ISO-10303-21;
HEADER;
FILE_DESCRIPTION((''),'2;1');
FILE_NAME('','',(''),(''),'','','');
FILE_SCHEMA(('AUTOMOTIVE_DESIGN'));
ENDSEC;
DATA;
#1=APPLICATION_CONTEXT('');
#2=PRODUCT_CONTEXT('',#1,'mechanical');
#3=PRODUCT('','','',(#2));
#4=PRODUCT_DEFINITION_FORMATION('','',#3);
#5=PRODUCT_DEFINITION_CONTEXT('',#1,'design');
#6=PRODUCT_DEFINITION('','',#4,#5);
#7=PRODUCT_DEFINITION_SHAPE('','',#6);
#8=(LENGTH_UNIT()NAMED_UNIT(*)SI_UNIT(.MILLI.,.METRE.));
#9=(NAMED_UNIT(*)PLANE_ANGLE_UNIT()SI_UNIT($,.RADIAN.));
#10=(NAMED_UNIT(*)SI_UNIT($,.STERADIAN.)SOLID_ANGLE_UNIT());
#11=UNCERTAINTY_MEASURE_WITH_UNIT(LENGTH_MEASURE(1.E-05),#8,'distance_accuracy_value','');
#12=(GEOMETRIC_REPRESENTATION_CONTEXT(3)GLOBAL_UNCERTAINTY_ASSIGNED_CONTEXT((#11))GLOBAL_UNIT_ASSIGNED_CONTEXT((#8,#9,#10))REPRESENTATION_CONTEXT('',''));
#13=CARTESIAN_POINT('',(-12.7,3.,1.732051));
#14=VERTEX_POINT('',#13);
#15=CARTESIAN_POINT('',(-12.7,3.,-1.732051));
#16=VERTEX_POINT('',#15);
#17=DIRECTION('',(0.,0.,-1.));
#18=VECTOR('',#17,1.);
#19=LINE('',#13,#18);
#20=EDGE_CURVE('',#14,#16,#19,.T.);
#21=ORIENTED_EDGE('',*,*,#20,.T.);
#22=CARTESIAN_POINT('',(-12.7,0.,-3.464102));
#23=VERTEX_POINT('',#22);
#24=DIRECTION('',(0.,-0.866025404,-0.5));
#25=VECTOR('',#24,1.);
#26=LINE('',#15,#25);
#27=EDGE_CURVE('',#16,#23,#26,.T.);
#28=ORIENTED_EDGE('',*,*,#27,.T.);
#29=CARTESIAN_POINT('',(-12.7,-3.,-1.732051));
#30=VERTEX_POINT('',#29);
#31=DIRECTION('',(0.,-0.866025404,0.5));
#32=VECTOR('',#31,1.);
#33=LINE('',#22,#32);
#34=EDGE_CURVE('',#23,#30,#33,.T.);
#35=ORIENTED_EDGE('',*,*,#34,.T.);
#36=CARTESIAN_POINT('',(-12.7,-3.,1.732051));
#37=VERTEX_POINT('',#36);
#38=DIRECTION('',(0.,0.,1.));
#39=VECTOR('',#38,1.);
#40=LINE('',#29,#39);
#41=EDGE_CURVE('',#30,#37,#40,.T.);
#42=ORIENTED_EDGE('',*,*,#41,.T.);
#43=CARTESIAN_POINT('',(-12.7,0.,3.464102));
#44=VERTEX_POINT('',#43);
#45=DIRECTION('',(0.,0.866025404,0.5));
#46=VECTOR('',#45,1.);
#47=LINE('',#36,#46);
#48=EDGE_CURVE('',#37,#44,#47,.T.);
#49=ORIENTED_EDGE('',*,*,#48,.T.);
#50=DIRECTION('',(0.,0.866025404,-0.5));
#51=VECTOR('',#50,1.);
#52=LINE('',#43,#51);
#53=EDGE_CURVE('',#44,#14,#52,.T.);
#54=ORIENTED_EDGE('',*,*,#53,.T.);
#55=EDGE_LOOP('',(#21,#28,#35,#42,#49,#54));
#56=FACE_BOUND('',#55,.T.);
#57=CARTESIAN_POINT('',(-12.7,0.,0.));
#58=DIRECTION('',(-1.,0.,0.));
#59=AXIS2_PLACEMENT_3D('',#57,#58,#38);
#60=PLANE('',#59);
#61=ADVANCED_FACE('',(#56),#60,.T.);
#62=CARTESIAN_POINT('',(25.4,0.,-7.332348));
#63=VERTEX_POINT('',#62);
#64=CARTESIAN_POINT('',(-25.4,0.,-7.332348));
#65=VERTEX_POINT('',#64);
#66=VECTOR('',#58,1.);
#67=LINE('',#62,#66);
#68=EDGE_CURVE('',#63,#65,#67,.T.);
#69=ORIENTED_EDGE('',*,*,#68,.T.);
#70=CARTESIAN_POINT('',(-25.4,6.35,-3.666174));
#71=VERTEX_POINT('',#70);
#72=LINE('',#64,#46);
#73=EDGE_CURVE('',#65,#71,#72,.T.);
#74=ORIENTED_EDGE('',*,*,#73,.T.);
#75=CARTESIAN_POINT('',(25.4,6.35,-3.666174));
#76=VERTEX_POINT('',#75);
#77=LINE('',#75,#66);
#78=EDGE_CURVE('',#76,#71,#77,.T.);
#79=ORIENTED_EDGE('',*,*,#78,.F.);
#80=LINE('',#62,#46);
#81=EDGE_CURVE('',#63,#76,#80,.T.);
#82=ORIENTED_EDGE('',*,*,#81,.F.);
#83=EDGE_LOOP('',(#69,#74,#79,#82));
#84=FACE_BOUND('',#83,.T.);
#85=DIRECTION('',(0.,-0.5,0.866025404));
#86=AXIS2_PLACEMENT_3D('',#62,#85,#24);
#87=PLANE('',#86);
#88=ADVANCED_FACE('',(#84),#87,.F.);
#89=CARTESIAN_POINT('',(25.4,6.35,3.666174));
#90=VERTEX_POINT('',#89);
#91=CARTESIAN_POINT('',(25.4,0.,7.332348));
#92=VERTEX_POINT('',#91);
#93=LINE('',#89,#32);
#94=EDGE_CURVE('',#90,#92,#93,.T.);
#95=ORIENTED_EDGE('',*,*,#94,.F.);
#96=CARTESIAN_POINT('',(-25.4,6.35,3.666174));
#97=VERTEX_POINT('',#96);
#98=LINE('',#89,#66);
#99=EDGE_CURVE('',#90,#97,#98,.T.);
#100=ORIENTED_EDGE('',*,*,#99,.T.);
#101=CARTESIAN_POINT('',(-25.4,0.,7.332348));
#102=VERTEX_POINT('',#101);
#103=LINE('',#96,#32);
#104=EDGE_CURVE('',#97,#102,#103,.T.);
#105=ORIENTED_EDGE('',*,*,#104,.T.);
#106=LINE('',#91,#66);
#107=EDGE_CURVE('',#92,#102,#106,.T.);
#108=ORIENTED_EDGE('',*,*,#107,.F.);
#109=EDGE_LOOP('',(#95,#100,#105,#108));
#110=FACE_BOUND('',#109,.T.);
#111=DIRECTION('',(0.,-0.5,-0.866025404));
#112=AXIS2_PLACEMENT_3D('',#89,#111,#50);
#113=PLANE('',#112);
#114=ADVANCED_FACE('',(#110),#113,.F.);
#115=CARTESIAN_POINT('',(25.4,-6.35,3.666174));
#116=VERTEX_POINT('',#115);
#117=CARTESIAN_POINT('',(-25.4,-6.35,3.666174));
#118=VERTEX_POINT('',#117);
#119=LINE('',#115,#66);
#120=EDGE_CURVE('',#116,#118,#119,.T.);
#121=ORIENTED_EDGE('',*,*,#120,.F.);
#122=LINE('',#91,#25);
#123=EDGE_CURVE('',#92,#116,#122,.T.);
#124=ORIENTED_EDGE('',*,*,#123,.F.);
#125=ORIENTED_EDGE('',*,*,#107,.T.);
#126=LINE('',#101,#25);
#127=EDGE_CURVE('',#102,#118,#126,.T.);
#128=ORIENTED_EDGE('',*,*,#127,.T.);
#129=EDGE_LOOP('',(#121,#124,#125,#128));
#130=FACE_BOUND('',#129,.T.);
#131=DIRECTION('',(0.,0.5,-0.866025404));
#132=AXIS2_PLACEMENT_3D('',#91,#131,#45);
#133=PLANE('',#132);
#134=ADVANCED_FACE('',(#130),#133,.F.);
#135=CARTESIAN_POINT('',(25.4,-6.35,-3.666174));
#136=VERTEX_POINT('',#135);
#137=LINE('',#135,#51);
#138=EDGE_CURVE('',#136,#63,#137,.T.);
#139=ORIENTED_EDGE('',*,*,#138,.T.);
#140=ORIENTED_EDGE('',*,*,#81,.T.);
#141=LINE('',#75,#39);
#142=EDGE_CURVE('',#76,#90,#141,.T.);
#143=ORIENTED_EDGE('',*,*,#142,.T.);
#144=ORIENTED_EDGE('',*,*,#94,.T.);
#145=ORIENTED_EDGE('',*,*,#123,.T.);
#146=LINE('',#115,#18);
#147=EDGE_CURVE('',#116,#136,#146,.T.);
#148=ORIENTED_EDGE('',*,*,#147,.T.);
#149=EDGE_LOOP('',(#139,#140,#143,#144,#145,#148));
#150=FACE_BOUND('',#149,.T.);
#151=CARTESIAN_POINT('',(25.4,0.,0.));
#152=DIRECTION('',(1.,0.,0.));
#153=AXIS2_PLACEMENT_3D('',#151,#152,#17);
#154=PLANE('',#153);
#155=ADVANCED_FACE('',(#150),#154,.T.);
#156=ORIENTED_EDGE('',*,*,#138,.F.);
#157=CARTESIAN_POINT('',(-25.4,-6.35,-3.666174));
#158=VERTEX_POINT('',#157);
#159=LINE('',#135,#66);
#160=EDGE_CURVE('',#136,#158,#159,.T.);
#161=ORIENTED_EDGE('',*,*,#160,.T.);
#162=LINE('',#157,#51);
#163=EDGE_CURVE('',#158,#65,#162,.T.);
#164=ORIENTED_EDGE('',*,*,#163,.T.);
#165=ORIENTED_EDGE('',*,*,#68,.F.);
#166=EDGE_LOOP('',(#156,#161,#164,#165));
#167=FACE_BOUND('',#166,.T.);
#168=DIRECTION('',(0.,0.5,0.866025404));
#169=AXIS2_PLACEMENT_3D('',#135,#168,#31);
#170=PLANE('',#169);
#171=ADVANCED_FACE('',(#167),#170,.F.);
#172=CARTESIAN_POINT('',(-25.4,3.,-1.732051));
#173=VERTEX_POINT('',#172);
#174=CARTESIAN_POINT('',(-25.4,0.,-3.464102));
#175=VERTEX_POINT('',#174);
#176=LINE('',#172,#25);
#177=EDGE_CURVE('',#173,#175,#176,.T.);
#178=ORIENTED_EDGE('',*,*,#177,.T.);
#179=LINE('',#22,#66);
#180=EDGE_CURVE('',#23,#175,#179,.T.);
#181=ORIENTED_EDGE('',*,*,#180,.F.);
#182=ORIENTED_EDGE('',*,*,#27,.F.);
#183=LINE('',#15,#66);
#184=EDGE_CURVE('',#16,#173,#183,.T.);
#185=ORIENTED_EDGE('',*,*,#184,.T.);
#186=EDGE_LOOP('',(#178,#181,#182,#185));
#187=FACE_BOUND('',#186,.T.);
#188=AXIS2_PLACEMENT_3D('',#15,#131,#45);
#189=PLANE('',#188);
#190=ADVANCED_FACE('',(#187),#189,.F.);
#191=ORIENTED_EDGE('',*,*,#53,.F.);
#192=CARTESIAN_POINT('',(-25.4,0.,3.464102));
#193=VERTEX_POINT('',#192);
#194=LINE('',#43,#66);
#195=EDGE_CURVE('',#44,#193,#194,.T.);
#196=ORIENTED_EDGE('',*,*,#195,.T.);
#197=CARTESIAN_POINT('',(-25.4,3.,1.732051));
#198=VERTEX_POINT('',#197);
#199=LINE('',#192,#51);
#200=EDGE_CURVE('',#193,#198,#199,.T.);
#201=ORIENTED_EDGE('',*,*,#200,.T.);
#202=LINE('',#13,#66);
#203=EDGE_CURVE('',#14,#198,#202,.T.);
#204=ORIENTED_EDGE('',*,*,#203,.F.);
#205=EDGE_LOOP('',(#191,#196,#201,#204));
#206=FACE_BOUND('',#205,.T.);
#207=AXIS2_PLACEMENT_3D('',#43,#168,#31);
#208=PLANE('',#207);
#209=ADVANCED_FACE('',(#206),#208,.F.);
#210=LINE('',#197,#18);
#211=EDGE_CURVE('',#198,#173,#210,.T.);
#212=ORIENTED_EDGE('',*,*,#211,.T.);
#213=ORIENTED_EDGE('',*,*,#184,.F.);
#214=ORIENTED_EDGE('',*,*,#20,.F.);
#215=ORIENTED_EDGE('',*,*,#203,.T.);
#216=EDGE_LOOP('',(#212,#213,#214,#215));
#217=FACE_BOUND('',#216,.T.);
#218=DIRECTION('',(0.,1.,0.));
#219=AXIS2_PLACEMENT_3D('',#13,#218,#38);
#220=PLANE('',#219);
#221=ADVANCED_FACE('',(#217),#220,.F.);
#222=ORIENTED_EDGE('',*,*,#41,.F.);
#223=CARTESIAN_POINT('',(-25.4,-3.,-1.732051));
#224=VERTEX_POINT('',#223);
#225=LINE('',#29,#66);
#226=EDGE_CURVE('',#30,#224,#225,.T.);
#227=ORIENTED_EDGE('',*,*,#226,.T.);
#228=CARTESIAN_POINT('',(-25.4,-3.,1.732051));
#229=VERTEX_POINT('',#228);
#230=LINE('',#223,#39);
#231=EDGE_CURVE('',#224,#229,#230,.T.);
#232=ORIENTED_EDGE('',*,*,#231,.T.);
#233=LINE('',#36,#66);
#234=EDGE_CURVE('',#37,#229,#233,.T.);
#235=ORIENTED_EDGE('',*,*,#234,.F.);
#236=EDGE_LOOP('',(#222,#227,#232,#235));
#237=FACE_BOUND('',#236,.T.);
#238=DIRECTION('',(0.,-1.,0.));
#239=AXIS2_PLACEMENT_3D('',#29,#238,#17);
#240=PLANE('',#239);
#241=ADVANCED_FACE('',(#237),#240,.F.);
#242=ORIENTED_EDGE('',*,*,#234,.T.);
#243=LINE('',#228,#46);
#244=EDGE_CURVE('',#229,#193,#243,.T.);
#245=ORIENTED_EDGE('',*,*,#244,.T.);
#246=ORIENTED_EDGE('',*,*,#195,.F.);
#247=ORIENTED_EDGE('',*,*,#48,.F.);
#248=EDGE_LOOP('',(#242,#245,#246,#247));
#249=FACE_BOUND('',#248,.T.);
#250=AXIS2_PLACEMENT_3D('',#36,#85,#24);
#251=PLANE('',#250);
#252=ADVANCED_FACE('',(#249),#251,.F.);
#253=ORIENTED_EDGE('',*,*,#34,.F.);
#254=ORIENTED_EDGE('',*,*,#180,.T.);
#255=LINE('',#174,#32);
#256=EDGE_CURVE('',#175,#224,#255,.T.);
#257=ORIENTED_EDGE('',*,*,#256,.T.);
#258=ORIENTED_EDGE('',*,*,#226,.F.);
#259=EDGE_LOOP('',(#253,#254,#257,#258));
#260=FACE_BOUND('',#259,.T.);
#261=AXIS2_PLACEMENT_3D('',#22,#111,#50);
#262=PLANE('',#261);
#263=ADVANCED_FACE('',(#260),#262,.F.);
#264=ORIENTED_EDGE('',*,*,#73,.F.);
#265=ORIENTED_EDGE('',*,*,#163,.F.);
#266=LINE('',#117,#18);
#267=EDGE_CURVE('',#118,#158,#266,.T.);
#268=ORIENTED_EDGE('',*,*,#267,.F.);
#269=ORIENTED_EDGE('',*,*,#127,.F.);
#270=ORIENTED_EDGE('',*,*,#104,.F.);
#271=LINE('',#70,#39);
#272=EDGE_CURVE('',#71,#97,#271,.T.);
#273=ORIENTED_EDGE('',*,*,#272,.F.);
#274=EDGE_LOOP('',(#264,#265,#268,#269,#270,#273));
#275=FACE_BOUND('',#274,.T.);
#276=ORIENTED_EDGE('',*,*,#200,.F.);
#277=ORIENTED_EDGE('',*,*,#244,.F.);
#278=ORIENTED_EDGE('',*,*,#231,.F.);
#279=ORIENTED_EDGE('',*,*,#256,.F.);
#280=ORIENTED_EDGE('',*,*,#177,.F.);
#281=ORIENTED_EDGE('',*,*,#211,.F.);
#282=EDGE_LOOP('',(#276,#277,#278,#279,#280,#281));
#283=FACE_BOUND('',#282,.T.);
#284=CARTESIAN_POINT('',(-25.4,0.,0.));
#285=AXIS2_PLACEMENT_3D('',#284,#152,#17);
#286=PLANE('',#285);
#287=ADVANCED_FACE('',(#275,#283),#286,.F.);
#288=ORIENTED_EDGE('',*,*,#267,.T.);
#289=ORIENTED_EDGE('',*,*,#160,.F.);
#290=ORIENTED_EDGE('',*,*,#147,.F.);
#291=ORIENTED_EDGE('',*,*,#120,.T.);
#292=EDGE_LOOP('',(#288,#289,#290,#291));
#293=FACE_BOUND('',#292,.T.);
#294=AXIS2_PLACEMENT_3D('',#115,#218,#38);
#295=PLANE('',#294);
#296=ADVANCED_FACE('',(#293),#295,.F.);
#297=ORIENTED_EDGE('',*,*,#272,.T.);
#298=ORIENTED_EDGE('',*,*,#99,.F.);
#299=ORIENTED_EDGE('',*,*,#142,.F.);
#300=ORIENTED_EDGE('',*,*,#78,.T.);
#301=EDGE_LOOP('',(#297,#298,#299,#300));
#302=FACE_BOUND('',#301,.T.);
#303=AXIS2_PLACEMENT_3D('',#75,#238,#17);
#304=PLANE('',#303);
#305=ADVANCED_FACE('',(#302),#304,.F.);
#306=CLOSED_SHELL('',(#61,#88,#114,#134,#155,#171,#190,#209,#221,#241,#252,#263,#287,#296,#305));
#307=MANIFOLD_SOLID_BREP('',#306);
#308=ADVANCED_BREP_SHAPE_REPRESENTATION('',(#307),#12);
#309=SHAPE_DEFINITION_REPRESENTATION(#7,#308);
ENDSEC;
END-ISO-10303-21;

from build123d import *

# Parameters (mm, degrees)
BOSS_EXTRUDE1_DEPTH = 25.4
CUT_EXTRUDE1_DEPTH  = 12.7


with BuildPart() as part:
    # Sketch1 → Boss-Extrude1 (new, symmetric)
    with BuildSketch(Plane(origin=(0, 0, 0), x_dir=(0, 0, -1), z_dir=(1, 0, 0))):
        Polygon((7.332348419, 0), (3.666174209, 6.35), (-3.666174209, 6.35), (-7.332348419, 0), (-3.666174209, -6.35), (3.666174209, -6.35), align=None)
    extrude(amount=BOSS_EXTRUDE1_DEPTH, both=True)

    # Sketch2 → Cut-Extrude1 (cut)
    with BuildSketch(Plane.ZY.offset(25.4)):
        Polygon((3.464101579, 0), (1.73205079, 2.999999969), (-1.73205079, 2.999999969), (-3.464101579, 0), (-1.73205079, -2.999999969), (1.73205079, -2.999999969), align=None)
    extrude(amount=-CUT_EXTRUDE1_DEPTH, mode=Mode.SUBTRACT)


solid = part.part
